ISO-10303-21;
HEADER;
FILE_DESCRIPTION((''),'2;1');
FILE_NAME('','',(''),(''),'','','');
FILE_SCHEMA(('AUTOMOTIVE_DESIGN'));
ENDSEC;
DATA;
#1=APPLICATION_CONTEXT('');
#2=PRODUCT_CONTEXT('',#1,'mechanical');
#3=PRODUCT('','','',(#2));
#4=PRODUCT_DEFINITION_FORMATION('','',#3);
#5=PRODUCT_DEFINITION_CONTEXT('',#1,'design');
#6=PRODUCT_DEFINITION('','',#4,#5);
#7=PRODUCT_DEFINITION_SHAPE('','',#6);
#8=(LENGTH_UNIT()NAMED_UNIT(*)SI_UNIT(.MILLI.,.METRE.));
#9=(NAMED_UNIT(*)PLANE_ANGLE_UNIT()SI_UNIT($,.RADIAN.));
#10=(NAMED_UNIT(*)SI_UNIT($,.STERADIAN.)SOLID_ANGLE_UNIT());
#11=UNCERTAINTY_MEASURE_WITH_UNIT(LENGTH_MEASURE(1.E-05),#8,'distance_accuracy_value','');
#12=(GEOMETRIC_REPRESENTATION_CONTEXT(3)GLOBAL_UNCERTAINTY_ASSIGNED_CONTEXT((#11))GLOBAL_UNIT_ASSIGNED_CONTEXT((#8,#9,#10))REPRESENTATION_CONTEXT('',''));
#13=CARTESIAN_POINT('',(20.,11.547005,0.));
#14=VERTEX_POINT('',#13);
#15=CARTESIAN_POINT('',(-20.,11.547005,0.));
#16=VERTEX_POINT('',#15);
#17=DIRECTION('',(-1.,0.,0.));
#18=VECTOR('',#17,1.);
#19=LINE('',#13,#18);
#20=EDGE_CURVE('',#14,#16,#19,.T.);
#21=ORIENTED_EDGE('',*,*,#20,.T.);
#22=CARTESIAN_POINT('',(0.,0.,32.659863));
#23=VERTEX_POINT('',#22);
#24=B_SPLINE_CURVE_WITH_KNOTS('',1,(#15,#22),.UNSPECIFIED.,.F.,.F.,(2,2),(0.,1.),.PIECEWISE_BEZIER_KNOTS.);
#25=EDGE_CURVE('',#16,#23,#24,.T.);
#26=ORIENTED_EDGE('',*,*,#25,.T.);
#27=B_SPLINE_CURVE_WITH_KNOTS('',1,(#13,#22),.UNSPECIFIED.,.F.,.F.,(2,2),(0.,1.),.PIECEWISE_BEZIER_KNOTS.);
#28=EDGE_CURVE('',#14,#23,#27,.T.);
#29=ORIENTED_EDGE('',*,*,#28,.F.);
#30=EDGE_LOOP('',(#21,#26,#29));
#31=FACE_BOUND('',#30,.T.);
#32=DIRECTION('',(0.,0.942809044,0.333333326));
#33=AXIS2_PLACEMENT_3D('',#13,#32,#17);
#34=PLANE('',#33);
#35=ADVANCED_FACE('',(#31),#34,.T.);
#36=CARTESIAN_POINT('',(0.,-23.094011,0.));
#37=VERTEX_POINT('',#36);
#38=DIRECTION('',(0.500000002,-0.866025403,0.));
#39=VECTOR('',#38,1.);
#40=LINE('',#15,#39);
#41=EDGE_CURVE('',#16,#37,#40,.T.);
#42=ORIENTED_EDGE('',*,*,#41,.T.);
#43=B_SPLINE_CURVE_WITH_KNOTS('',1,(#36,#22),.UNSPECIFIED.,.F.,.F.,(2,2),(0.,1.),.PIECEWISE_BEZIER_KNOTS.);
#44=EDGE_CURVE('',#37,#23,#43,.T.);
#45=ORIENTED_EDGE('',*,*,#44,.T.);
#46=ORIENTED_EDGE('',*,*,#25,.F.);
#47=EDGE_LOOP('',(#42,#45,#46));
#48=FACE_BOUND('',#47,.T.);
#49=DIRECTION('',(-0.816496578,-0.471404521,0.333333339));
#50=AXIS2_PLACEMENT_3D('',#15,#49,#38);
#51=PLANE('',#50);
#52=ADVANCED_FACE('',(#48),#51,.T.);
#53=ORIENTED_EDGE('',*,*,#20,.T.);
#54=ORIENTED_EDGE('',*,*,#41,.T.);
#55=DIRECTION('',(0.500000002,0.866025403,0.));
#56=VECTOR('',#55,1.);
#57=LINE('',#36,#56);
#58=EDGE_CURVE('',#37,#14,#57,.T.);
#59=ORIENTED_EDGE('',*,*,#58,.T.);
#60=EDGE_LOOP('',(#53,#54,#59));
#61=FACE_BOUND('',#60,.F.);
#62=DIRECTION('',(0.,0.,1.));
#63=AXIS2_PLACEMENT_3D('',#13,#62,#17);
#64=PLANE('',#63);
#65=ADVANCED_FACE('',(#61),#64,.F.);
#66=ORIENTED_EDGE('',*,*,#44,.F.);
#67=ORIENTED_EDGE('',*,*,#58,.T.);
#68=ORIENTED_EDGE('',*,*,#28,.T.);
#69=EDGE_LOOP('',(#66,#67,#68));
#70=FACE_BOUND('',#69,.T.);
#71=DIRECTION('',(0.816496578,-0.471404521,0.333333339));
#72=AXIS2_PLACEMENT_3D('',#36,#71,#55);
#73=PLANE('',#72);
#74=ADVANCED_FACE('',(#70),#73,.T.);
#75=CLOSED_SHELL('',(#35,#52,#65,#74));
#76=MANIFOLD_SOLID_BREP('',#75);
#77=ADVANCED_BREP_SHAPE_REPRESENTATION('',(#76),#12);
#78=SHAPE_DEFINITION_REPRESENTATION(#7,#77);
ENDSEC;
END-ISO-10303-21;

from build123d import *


with BuildPart() as f2:
    # F0 (on Top) → F2 section 0
    with BuildSketch(Plane.XY, mode=Mode.PRIVATE) as f2_s0:
        Polygon((20, 11.547005), (-20, 11.547005), (0, -23.094011), align=None)
    loft([f2_s0.sketch, Vertex(0, 0, 32.659863)])


solid = f2.part
